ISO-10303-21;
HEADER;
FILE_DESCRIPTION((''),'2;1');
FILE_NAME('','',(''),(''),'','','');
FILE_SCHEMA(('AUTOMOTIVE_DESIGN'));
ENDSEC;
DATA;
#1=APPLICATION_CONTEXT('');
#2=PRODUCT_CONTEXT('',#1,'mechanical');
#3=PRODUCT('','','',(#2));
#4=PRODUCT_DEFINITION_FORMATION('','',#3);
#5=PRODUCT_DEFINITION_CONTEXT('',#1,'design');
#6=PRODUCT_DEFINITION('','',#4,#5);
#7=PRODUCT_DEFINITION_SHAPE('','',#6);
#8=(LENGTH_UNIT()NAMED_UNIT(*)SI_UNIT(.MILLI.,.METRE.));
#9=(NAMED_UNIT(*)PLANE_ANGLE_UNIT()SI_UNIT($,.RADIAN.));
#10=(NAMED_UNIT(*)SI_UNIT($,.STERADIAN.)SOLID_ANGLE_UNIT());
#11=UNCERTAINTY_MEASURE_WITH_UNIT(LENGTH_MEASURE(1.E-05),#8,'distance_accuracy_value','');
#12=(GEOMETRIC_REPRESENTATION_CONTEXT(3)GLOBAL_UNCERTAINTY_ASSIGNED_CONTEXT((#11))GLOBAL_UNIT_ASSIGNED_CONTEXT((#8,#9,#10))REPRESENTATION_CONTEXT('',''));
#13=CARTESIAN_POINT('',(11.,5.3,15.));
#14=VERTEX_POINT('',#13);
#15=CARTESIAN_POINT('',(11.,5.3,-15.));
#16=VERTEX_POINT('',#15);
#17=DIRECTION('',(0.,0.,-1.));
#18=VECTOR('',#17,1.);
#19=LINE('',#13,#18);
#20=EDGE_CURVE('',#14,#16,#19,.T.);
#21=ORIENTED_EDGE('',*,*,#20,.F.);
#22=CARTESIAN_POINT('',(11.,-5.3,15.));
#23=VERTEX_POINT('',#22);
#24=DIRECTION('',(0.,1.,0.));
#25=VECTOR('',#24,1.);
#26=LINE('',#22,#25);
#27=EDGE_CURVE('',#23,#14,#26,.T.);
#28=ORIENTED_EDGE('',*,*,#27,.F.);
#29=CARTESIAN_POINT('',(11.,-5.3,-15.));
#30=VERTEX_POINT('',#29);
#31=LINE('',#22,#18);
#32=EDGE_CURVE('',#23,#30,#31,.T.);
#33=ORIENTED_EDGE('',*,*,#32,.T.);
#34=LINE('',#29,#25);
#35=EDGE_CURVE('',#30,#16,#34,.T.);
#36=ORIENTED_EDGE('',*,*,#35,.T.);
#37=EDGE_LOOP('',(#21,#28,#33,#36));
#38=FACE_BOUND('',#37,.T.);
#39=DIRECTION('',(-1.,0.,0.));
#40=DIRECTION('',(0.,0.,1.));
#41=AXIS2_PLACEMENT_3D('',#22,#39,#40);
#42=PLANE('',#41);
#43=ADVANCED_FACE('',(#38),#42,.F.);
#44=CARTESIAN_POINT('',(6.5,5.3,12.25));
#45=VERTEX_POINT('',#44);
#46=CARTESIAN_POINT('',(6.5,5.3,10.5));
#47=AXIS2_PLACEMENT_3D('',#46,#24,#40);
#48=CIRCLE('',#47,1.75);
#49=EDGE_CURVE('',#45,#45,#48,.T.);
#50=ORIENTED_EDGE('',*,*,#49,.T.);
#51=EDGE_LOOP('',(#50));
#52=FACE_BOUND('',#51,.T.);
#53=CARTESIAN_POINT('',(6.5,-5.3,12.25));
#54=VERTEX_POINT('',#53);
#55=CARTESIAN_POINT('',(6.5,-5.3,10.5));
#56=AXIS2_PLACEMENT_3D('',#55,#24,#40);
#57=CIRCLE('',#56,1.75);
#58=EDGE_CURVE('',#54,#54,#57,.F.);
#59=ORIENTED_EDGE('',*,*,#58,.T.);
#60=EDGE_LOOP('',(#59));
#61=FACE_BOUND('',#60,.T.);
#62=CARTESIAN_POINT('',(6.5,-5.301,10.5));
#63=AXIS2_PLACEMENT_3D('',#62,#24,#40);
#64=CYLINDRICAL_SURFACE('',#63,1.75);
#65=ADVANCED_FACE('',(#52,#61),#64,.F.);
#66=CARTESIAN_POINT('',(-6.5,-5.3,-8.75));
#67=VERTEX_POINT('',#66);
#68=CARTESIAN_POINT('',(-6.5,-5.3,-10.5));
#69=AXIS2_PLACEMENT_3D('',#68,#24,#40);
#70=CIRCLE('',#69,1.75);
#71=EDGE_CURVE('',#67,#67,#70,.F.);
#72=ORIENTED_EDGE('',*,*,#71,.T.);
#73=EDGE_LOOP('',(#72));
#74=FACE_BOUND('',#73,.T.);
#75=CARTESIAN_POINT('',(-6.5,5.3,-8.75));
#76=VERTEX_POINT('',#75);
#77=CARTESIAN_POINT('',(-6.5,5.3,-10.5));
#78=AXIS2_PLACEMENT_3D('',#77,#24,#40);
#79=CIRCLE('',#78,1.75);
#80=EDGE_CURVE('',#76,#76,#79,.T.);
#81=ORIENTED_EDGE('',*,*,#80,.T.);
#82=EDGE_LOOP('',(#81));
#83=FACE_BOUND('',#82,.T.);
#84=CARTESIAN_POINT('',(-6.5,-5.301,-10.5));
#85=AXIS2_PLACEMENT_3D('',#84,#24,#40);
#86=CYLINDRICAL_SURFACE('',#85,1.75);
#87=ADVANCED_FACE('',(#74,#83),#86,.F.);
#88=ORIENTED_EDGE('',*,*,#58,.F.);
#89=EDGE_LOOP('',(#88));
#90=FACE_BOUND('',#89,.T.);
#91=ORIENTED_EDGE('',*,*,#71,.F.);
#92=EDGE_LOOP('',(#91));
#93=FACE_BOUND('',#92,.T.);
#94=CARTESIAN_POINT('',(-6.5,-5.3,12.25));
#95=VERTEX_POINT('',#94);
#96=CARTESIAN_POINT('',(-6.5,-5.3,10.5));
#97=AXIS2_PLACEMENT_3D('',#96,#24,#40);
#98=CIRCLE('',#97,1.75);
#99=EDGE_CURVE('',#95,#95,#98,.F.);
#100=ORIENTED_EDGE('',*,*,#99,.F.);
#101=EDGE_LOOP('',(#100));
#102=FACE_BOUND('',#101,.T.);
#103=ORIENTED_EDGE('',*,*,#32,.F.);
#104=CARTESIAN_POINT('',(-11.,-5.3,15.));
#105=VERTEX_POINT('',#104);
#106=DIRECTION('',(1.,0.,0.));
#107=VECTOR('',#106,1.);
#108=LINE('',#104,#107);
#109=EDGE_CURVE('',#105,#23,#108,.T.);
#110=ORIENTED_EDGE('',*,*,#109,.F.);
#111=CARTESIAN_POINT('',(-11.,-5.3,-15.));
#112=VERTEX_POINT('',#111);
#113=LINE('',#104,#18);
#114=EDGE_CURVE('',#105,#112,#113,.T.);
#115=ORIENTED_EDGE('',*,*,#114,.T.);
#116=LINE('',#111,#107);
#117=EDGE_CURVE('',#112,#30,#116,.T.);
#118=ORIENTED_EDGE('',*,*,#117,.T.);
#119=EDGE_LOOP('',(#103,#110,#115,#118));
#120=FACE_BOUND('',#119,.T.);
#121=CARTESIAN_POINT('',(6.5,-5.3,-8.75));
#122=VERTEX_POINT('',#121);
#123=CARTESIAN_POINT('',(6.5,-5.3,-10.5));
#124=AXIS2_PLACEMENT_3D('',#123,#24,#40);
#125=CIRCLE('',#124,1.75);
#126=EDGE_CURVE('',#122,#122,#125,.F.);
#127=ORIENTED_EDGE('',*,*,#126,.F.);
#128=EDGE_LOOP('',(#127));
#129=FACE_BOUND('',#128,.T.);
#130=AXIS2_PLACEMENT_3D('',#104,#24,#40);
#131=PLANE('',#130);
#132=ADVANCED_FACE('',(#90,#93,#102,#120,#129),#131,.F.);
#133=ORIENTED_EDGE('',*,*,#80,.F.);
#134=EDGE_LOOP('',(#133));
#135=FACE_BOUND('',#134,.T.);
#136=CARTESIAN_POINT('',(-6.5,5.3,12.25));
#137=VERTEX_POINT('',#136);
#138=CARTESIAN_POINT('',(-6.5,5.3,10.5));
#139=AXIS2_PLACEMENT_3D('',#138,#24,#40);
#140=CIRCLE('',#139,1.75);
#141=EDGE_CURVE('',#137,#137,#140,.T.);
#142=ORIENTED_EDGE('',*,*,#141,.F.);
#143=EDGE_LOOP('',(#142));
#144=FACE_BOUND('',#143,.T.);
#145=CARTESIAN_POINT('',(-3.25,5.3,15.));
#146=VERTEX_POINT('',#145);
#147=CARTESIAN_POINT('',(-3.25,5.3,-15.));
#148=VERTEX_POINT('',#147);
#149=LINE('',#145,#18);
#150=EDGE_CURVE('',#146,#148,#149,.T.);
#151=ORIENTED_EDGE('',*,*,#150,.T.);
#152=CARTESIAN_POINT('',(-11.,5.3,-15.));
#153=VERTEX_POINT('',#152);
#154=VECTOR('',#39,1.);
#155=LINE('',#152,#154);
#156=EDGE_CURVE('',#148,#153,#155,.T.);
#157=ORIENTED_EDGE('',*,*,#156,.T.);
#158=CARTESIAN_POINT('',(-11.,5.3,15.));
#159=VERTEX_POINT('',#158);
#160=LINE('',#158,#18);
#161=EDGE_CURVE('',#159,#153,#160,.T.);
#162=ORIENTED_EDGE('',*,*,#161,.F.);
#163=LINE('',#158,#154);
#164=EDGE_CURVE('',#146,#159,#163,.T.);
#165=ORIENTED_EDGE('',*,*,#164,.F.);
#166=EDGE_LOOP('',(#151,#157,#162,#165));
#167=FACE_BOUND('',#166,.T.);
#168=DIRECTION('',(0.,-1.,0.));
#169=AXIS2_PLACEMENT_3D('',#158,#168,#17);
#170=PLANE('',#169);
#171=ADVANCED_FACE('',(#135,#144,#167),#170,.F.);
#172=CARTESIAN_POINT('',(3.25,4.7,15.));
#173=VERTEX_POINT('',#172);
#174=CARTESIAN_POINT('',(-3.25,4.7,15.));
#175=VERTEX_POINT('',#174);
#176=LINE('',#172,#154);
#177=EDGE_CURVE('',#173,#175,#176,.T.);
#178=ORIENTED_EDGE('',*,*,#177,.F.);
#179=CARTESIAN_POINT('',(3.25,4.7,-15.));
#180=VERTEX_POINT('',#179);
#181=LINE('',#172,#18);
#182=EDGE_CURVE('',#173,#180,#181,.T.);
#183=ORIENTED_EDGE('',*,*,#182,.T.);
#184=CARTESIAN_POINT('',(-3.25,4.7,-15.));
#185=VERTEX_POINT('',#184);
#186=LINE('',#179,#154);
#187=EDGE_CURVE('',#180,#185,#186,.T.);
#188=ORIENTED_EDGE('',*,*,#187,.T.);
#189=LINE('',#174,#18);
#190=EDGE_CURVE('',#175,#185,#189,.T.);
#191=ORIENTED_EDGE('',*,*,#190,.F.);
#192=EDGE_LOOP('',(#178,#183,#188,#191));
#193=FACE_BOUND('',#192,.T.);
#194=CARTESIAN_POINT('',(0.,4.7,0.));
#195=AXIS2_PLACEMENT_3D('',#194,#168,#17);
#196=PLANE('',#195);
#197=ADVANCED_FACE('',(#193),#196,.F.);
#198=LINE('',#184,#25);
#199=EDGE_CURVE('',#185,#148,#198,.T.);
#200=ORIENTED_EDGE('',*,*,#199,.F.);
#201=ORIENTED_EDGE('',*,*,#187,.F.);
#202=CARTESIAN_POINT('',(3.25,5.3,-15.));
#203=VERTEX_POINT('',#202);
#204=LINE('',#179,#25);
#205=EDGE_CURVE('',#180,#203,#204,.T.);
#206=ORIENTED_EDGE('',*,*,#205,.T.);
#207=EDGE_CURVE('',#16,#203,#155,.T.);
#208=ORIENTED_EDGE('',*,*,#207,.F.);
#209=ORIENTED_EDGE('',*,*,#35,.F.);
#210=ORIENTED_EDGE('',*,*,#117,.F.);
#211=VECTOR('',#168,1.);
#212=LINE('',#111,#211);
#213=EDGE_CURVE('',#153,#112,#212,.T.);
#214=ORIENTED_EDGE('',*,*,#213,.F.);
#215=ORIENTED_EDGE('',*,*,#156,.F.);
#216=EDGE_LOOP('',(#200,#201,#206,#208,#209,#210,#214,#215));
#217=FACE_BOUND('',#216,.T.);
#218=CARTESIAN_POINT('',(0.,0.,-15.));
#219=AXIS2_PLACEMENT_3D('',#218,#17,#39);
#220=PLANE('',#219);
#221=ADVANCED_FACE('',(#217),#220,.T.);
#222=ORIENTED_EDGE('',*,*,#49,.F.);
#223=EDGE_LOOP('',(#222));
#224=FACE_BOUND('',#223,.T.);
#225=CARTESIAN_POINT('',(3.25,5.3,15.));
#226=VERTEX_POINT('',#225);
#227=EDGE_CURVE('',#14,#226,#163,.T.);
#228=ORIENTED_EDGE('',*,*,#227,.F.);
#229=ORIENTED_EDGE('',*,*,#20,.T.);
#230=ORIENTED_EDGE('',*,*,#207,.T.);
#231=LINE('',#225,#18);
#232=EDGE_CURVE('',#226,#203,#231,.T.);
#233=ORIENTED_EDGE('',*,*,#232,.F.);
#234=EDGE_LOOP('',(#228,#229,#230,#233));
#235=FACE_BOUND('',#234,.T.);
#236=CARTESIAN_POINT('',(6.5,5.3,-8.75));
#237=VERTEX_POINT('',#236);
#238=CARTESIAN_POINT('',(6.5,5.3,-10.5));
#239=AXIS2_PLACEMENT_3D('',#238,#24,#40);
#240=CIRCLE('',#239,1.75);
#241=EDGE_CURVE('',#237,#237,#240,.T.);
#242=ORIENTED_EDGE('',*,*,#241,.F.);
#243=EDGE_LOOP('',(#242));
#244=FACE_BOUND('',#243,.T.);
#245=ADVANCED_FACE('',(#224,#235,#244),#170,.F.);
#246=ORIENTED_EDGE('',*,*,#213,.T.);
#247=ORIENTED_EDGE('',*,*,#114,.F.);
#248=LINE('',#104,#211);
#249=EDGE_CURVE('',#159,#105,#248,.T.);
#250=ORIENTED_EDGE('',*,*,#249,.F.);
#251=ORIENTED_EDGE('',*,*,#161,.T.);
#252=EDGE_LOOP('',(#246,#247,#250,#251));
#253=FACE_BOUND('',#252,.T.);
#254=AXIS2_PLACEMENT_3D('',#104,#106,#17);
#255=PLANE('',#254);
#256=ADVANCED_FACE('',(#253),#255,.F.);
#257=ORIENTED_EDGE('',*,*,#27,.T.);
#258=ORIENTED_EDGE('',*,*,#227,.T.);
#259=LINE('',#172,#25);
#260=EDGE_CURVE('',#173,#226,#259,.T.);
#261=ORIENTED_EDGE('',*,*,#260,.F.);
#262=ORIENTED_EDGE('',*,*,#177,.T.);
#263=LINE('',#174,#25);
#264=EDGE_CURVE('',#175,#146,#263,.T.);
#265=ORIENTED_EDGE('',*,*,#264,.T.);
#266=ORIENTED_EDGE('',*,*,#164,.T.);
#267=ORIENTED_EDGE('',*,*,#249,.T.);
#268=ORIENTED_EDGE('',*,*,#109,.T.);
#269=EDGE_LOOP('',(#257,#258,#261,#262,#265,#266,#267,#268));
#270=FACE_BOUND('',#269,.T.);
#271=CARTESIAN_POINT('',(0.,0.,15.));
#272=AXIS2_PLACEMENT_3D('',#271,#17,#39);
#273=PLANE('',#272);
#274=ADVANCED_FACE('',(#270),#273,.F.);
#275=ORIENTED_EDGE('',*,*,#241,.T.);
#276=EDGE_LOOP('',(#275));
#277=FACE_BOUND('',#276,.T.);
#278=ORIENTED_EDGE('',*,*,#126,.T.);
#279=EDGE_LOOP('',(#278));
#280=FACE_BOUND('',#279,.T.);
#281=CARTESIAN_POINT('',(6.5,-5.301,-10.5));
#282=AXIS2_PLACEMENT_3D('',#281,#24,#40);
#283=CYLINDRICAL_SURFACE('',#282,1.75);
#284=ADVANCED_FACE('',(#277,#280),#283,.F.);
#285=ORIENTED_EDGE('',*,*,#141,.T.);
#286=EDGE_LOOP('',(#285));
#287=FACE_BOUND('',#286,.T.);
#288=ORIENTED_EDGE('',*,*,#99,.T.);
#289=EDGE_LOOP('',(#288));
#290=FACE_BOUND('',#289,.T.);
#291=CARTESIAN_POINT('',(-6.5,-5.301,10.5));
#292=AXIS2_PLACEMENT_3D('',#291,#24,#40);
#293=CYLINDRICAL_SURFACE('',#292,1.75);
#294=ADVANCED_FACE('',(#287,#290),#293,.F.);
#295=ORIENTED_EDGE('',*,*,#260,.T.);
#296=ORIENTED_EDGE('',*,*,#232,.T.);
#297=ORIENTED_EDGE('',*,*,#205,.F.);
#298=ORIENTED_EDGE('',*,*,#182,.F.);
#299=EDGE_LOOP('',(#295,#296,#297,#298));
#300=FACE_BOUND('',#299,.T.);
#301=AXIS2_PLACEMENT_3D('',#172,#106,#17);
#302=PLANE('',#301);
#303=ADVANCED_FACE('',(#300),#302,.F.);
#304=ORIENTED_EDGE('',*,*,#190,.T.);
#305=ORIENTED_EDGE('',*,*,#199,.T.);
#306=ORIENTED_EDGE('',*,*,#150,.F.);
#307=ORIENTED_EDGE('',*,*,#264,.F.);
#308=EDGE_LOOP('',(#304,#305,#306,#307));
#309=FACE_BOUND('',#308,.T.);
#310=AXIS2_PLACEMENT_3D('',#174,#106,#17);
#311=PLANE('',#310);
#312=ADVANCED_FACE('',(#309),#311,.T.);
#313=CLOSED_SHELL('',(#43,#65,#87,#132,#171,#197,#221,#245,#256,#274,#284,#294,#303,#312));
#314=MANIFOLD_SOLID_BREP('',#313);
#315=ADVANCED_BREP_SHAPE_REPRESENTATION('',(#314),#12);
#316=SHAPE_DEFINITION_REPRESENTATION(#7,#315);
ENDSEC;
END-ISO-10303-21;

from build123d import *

# Parameters (mm, degrees)
SCHIZZO1_W                   = 22
SCHIZZO1_H                   = 10.6
ESTRUSIONE_ESTRUSIONE1_DEPTH = 15
TAGLIO_ESTRUSIONE3_REACH     = 23.409
SCHIZZO5_R                   = 1.75
SCHIZZO5_3_W                 = 6.5
SCHIZZO5_3_H                 = 30
TAGLIO_ESTRUSIONE4_DEPTH     = 0.6


with BuildPart() as part:
    # Schizzo1 → Estrusione-Estrusione1 (new, symmetric)
    with BuildSketch(Plane.XY):
        Rectangle(SCHIZZO1_W, SCHIZZO1_H)
    extrude(amount=ESTRUSIONE_ESTRUSIONE1_DEPTH, both=True)

    # Schizzo5 → Taglio-Estrusione3 (cut, up to next)
    with BuildSketch(Plane(origin=(0, 5.3, 0), x_dir=(1, 0, 0), z_dir=(0, 1, 0)), mode=Mode.PRIVATE) as taglio_estrusione3_sk1:
        with Locations((6.5, 10.5)):
            Circle(SCHIZZO5_R)
    taglio_estrusione3_tool1 = extrude(taglio_estrusione3_sk1.sketch, amount=-TAGLIO_ESTRUSIONE3_REACH, mode=Mode.PRIVATE) & part.part
    # Schizzo5 → Taglio-Estrusione3 (cut, up to next)
    with BuildSketch(Plane(origin=(0, 5.3, 0), x_dir=(1, 0, 0), z_dir=(0, 1, 0)), mode=Mode.PRIVATE) as taglio_estrusione3_sk2:
        with Locations((6.5, -10.5)):
            Circle(SCHIZZO5_R)
    taglio_estrusione3_tool2 = extrude(taglio_estrusione3_sk2.sketch, amount=-TAGLIO_ESTRUSIONE3_REACH, mode=Mode.PRIVATE) & part.part
    # Schizzo5 → Taglio-Estrusione3 (cut, up to next)
    with BuildSketch(Plane(origin=(0, 5.3, 0), x_dir=(1, 0, 0), z_dir=(0, 1, 0)), mode=Mode.PRIVATE) as taglio_estrusione3_sk3:
        with Locations((-6.5, -10.5)):
            Circle(SCHIZZO5_R)
    taglio_estrusione3_tool3 = extrude(taglio_estrusione3_sk3.sketch, amount=-TAGLIO_ESTRUSIONE3_REACH, mode=Mode.PRIVATE) & part.part
    # Schizzo5 → Taglio-Estrusione3 (cut, up to next)
    with BuildSketch(Plane(origin=(0, 5.3, 0), x_dir=(1, 0, 0), z_dir=(0, 1, 0)), mode=Mode.PRIVATE) as taglio_estrusione3_sk4:
        with Locations((-6.5, 10.5)):
            Circle(SCHIZZO5_R)
    taglio_estrusione3_tool4 = extrude(taglio_estrusione3_sk4.sketch, amount=-TAGLIO_ESTRUSIONE3_REACH, mode=Mode.PRIVATE) & part.part
    add(taglio_estrusione3_tool1.solids().sort_by_distance((6.5, 5.3, -10.5))[0], mode=Mode.SUBTRACT)
    add(taglio_estrusione3_tool2.solids().sort_by_distance((6.5, 5.3, 10.5))[0], mode=Mode.SUBTRACT)
    add(taglio_estrusione3_tool3.solids().sort_by_distance((-6.5, 5.3, 10.5))[0], mode=Mode.SUBTRACT)
    add(taglio_estrusione3_tool4.solids().sort_by_distance((-6.5, 5.3, -10.5))[0], mode=Mode.SUBTRACT)

    # Schizzo5<3> → Taglio-Estrusione4 (cut)
    with BuildSketch(Plane(origin=(0, 5.3, 0), x_dir=(1, 0, 0), z_dir=(0, 1, 0))):
        Rectangle(SCHIZZO5_3_W, SCHIZZO5_3_H)
    extrude(amount=-TAGLIO_ESTRUSIONE4_DEPTH, mode=Mode.SUBTRACT)


solid = part.part
